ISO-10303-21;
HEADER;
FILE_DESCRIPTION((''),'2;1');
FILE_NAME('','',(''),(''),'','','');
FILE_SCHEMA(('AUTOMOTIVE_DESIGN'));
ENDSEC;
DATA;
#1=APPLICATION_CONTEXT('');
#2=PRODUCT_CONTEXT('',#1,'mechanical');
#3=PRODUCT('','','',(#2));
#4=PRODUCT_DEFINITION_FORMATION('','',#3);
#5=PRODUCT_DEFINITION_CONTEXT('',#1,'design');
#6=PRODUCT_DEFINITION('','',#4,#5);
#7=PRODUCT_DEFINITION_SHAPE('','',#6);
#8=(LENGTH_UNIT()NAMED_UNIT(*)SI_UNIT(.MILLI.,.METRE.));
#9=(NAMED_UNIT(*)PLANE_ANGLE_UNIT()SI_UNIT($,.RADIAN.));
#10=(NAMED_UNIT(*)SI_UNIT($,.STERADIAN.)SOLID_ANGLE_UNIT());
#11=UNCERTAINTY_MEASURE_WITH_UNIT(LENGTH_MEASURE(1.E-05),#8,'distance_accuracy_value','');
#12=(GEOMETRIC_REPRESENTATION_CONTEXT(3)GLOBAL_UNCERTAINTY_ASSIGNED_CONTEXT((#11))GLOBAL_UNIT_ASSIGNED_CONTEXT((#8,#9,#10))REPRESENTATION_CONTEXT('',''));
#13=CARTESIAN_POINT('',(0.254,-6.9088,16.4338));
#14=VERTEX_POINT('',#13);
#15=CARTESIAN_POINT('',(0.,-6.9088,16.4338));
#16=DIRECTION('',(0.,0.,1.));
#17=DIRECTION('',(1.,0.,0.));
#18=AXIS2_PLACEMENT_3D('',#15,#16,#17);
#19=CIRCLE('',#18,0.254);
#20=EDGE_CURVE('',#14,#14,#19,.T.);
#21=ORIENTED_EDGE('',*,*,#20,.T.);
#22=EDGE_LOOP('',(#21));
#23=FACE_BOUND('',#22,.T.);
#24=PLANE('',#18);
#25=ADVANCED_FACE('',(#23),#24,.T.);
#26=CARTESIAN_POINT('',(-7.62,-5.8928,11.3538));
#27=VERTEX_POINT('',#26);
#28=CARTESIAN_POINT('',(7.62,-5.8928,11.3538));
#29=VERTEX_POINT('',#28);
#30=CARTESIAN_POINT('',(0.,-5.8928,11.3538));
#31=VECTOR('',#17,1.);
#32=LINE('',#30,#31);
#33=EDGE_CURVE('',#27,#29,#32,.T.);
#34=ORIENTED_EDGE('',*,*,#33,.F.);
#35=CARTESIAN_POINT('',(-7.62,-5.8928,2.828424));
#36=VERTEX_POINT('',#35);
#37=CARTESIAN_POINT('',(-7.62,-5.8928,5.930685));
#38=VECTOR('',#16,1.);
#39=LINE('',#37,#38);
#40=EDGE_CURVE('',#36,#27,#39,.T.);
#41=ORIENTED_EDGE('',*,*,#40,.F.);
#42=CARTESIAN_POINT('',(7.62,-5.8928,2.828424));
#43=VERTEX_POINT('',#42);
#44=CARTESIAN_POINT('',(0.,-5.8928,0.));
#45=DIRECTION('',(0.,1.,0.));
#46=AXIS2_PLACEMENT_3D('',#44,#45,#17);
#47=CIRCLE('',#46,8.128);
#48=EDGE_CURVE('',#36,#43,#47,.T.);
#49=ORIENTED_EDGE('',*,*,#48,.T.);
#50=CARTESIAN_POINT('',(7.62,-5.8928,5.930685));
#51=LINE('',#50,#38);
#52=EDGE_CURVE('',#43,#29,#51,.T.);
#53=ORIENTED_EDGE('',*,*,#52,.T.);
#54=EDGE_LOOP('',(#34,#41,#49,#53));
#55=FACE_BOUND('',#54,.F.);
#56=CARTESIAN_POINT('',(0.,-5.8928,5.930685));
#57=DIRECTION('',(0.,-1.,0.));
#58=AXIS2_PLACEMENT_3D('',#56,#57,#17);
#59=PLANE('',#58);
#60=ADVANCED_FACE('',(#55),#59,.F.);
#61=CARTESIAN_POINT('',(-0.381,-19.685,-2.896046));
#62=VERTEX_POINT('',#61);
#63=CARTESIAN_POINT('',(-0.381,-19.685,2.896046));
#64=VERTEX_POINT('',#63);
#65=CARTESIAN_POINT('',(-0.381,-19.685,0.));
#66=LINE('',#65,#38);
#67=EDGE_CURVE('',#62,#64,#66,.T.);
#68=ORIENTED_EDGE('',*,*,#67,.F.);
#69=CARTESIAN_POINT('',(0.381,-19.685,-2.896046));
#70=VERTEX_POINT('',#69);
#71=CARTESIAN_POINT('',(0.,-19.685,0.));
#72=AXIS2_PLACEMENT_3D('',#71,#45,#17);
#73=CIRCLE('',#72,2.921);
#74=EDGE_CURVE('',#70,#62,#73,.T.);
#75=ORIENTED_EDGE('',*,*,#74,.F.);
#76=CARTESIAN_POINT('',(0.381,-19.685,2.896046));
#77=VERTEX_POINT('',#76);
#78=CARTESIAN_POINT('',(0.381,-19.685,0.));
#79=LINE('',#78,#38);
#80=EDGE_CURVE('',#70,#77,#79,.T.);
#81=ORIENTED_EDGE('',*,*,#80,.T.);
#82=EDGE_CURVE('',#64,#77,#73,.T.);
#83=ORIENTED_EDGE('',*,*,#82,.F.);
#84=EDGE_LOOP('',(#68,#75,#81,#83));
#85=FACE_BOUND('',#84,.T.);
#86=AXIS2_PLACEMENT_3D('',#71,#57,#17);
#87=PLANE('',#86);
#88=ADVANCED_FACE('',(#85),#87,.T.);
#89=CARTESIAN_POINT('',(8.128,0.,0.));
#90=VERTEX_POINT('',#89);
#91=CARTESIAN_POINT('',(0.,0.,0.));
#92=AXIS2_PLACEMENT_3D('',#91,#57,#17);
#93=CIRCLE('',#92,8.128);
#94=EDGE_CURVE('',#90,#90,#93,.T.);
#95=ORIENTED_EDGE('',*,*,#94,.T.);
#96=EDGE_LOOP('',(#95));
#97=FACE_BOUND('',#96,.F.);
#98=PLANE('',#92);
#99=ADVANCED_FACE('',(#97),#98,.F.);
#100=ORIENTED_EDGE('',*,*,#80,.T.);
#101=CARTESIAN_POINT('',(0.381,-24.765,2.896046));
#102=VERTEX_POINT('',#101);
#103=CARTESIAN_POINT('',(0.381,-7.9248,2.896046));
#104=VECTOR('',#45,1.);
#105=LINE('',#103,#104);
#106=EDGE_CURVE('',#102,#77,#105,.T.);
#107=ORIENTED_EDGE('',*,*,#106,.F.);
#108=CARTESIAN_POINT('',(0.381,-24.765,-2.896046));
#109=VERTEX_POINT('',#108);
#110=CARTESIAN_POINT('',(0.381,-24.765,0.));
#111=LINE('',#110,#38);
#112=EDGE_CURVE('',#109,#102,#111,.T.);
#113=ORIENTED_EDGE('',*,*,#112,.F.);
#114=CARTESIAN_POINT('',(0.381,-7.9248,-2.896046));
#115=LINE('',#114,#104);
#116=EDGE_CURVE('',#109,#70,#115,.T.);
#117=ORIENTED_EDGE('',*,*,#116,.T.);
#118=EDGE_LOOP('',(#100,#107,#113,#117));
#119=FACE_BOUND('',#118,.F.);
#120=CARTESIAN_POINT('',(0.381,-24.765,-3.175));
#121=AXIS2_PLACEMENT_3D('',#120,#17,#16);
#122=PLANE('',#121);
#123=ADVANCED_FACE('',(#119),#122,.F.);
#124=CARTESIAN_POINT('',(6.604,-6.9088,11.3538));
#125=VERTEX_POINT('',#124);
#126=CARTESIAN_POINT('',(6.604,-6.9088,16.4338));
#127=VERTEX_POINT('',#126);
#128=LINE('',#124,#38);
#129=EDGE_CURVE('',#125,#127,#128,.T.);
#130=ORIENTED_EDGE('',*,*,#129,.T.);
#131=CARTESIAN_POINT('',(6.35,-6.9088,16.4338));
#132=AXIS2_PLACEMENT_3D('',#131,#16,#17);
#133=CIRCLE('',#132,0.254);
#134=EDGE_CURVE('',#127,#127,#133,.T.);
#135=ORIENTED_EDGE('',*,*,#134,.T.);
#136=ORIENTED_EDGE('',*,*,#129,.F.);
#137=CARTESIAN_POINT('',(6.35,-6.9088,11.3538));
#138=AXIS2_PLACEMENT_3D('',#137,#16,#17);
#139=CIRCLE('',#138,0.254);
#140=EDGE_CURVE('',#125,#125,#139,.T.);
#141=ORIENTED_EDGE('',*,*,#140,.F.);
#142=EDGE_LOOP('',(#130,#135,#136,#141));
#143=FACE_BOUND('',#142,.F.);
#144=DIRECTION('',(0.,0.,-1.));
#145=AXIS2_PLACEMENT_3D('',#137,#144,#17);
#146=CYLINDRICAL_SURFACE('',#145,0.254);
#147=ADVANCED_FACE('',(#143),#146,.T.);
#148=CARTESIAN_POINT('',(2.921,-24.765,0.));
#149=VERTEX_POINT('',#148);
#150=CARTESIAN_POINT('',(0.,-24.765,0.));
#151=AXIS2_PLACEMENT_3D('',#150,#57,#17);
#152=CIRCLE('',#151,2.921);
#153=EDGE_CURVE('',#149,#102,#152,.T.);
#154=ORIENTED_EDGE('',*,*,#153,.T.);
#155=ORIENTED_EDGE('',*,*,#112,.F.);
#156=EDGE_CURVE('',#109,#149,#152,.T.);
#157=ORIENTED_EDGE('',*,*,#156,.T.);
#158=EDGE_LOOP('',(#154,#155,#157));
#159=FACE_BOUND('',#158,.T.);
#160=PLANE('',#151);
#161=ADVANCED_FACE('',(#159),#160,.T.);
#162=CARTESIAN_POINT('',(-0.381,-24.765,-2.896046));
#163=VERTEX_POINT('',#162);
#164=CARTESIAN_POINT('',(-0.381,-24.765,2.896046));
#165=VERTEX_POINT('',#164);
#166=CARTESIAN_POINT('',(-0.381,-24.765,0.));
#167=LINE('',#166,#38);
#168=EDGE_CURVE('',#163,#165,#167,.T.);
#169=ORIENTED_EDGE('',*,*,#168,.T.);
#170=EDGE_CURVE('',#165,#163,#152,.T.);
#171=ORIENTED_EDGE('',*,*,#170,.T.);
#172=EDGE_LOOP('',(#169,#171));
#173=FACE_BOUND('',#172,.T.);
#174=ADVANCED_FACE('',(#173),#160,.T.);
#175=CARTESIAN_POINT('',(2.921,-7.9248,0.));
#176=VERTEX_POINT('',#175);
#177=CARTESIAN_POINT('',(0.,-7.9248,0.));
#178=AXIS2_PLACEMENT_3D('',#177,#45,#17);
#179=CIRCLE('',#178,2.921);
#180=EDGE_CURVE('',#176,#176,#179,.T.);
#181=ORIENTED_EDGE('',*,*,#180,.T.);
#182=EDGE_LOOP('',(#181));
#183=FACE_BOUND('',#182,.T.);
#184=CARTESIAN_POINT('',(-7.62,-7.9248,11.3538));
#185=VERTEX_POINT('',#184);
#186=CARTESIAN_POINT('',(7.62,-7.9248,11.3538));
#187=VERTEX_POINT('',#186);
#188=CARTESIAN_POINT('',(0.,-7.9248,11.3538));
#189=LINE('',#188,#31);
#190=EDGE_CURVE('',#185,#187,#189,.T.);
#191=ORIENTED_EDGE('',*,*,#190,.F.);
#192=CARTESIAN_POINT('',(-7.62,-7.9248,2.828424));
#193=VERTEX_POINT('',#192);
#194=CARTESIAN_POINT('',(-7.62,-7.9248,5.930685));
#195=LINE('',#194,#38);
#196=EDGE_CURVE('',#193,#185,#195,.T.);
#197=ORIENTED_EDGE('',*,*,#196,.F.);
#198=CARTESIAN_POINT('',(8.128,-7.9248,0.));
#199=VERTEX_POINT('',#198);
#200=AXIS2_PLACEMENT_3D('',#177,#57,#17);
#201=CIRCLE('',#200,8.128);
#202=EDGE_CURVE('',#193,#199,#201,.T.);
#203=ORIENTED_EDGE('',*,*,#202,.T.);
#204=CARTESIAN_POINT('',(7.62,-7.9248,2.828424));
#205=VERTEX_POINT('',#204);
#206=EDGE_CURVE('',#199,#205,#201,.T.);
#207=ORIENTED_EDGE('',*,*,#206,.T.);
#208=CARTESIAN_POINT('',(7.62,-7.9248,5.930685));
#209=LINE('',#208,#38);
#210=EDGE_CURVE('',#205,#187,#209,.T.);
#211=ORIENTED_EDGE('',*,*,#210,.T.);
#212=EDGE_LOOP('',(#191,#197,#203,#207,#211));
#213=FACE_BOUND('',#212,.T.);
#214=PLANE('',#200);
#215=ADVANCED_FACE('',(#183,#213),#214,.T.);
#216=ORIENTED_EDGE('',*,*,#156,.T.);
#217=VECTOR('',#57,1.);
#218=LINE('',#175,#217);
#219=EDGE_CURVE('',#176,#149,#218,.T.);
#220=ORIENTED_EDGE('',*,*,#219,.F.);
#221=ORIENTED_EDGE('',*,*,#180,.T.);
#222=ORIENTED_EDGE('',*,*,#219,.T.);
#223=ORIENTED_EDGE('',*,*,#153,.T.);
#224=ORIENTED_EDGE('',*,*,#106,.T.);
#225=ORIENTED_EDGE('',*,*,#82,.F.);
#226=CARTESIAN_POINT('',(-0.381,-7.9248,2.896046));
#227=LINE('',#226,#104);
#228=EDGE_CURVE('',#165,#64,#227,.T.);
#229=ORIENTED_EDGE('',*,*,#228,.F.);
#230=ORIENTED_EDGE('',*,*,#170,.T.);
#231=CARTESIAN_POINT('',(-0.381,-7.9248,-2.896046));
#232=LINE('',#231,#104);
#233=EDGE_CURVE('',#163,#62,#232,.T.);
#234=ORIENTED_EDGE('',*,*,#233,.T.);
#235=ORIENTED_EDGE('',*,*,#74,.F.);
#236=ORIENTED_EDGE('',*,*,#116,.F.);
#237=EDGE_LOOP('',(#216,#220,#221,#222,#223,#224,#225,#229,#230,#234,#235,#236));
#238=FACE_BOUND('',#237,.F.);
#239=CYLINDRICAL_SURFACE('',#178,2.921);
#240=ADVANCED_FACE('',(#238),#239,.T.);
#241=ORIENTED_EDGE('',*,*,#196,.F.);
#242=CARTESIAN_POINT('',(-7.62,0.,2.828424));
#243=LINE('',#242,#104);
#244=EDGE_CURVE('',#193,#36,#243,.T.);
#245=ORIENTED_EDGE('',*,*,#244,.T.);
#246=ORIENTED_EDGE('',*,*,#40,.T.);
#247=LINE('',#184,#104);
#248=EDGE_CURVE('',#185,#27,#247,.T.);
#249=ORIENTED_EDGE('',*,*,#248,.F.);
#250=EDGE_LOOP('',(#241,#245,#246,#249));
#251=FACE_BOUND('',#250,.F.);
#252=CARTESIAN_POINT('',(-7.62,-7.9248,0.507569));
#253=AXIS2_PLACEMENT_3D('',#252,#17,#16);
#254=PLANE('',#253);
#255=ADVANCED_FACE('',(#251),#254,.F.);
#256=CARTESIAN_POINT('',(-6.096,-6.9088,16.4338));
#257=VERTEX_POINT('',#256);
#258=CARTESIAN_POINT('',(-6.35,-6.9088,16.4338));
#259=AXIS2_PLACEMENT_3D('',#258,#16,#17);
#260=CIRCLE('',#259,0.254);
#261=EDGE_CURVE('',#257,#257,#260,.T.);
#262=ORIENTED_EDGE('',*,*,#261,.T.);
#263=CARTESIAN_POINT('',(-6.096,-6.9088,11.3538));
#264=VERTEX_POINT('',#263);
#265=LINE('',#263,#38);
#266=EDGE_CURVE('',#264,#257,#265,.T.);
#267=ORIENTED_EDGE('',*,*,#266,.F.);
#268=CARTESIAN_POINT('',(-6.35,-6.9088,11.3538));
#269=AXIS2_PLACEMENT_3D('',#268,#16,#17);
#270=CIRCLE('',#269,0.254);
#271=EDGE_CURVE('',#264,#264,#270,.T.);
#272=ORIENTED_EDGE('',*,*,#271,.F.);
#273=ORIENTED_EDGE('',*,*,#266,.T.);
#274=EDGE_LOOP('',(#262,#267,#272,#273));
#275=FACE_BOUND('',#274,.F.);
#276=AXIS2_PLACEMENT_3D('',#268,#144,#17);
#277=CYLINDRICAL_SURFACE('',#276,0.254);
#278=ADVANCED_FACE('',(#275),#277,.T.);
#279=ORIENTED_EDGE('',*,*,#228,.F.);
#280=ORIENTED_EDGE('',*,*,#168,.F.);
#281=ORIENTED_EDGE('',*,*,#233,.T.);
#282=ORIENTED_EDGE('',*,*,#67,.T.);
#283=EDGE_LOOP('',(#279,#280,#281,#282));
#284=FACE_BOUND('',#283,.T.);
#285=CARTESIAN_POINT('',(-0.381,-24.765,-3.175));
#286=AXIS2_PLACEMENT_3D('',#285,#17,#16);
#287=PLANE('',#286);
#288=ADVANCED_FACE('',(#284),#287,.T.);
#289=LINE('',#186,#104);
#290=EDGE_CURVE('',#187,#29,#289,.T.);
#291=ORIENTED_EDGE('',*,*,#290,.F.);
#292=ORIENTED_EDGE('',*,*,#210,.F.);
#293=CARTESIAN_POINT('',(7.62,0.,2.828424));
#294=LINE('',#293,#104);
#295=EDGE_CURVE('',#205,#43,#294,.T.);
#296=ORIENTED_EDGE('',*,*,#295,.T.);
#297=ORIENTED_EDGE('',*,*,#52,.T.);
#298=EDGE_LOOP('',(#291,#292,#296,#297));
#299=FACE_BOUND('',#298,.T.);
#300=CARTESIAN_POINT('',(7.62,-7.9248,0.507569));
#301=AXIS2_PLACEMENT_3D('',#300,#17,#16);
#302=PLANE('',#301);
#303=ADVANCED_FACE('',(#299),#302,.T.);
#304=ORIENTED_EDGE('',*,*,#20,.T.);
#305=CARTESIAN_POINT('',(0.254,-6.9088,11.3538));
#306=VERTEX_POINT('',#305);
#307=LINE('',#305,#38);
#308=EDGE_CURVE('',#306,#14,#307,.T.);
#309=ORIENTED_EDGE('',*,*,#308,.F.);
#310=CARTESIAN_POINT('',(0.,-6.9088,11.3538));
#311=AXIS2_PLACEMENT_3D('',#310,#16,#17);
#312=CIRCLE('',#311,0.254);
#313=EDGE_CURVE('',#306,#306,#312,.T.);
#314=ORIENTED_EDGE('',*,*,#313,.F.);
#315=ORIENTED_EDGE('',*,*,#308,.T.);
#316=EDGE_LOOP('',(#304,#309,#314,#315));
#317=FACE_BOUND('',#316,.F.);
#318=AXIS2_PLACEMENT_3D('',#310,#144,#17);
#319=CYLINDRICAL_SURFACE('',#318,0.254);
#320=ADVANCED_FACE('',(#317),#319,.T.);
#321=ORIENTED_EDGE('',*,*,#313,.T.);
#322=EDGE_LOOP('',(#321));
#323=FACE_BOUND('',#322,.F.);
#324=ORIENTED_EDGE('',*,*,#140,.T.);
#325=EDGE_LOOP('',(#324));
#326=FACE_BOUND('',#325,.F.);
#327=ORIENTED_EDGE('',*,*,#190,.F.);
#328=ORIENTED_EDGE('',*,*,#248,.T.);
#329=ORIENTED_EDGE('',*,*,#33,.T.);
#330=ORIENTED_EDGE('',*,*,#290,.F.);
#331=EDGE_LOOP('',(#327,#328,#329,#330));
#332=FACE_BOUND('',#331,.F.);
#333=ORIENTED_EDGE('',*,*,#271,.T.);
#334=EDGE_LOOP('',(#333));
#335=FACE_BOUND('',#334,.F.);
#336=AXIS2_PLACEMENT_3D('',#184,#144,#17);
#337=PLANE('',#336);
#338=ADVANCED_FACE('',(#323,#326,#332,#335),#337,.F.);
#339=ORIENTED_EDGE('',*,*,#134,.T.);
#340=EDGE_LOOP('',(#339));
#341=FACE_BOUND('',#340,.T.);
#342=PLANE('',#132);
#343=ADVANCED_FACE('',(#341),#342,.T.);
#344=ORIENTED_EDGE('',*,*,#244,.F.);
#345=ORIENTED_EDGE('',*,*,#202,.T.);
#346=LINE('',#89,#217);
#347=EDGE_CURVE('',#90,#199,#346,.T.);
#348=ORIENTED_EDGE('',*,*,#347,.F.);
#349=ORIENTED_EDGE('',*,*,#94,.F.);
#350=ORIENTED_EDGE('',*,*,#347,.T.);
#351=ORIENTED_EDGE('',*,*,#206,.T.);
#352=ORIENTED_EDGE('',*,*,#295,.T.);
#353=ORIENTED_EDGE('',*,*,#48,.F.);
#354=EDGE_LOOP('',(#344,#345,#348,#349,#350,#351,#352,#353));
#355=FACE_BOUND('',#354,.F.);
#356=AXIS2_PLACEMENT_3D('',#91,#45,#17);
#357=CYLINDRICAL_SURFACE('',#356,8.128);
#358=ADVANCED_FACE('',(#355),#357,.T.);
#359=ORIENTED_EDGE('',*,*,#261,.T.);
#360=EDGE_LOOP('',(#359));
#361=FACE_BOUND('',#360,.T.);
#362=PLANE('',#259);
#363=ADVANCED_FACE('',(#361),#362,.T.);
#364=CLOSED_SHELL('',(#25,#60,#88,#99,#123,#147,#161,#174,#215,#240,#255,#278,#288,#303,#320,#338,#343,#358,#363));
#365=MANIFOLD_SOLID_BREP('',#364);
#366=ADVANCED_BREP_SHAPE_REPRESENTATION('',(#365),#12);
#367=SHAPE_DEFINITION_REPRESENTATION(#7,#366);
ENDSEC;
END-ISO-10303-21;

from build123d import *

# Parameters (mm, degrees)
F0_R     = 8.128
F1_DEPTH = 7.9248
F2_R     = 2.921
F3_DEPTH = 16.8402
F4_W     = 15.24
F4_H     = 10.8462307572
F5_DEPTH = 2.032
F6_R     = 0.254
F7_DEPTH = 5.08
F8_W     = 0.762
F8_H     = 6.35
F9_DEPTH = 5.08


with BuildPart() as f1:
    # F0 (on Front) → F1 (new body)
    with BuildSketch(Plane.XZ):
        Circle(F0_R)
    extrude(amount=F1_DEPTH)

    # F2 (on face) → F3 (join)
    with BuildSketch(Plane.XZ.offset(7.9248)):
        Circle(F2_R)
    extrude(amount=F3_DEPTH)

    # F4 (on face) → F5 (join)
    with BuildSketch(Plane.XZ.offset(7.9248)):
        with Locations((0, 5.9306846214)):
            Rectangle(F4_W, F4_H)
    extrude(amount=-F5_DEPTH)

    # F6 (on face) → F7 (join)
    with BuildSketch(Plane.XY.offset(11.3538)):
        with Locations((0, -6.9088)):
            Circle(F6_R)
        with Locations((6.35, -6.9088)):
            Circle(F6_R)
        with Locations((-6.35, -6.9088)):
            Circle(F6_R)
    extrude(amount=F7_DEPTH)

    # F8 (on face) → F9 (cut)
    with BuildSketch(Plane.XZ.offset(24.765)):
        Rectangle(F8_W, F8_H)
    extrude(amount=-F9_DEPTH, mode=Mode.SUBTRACT)


solid = f1.part
